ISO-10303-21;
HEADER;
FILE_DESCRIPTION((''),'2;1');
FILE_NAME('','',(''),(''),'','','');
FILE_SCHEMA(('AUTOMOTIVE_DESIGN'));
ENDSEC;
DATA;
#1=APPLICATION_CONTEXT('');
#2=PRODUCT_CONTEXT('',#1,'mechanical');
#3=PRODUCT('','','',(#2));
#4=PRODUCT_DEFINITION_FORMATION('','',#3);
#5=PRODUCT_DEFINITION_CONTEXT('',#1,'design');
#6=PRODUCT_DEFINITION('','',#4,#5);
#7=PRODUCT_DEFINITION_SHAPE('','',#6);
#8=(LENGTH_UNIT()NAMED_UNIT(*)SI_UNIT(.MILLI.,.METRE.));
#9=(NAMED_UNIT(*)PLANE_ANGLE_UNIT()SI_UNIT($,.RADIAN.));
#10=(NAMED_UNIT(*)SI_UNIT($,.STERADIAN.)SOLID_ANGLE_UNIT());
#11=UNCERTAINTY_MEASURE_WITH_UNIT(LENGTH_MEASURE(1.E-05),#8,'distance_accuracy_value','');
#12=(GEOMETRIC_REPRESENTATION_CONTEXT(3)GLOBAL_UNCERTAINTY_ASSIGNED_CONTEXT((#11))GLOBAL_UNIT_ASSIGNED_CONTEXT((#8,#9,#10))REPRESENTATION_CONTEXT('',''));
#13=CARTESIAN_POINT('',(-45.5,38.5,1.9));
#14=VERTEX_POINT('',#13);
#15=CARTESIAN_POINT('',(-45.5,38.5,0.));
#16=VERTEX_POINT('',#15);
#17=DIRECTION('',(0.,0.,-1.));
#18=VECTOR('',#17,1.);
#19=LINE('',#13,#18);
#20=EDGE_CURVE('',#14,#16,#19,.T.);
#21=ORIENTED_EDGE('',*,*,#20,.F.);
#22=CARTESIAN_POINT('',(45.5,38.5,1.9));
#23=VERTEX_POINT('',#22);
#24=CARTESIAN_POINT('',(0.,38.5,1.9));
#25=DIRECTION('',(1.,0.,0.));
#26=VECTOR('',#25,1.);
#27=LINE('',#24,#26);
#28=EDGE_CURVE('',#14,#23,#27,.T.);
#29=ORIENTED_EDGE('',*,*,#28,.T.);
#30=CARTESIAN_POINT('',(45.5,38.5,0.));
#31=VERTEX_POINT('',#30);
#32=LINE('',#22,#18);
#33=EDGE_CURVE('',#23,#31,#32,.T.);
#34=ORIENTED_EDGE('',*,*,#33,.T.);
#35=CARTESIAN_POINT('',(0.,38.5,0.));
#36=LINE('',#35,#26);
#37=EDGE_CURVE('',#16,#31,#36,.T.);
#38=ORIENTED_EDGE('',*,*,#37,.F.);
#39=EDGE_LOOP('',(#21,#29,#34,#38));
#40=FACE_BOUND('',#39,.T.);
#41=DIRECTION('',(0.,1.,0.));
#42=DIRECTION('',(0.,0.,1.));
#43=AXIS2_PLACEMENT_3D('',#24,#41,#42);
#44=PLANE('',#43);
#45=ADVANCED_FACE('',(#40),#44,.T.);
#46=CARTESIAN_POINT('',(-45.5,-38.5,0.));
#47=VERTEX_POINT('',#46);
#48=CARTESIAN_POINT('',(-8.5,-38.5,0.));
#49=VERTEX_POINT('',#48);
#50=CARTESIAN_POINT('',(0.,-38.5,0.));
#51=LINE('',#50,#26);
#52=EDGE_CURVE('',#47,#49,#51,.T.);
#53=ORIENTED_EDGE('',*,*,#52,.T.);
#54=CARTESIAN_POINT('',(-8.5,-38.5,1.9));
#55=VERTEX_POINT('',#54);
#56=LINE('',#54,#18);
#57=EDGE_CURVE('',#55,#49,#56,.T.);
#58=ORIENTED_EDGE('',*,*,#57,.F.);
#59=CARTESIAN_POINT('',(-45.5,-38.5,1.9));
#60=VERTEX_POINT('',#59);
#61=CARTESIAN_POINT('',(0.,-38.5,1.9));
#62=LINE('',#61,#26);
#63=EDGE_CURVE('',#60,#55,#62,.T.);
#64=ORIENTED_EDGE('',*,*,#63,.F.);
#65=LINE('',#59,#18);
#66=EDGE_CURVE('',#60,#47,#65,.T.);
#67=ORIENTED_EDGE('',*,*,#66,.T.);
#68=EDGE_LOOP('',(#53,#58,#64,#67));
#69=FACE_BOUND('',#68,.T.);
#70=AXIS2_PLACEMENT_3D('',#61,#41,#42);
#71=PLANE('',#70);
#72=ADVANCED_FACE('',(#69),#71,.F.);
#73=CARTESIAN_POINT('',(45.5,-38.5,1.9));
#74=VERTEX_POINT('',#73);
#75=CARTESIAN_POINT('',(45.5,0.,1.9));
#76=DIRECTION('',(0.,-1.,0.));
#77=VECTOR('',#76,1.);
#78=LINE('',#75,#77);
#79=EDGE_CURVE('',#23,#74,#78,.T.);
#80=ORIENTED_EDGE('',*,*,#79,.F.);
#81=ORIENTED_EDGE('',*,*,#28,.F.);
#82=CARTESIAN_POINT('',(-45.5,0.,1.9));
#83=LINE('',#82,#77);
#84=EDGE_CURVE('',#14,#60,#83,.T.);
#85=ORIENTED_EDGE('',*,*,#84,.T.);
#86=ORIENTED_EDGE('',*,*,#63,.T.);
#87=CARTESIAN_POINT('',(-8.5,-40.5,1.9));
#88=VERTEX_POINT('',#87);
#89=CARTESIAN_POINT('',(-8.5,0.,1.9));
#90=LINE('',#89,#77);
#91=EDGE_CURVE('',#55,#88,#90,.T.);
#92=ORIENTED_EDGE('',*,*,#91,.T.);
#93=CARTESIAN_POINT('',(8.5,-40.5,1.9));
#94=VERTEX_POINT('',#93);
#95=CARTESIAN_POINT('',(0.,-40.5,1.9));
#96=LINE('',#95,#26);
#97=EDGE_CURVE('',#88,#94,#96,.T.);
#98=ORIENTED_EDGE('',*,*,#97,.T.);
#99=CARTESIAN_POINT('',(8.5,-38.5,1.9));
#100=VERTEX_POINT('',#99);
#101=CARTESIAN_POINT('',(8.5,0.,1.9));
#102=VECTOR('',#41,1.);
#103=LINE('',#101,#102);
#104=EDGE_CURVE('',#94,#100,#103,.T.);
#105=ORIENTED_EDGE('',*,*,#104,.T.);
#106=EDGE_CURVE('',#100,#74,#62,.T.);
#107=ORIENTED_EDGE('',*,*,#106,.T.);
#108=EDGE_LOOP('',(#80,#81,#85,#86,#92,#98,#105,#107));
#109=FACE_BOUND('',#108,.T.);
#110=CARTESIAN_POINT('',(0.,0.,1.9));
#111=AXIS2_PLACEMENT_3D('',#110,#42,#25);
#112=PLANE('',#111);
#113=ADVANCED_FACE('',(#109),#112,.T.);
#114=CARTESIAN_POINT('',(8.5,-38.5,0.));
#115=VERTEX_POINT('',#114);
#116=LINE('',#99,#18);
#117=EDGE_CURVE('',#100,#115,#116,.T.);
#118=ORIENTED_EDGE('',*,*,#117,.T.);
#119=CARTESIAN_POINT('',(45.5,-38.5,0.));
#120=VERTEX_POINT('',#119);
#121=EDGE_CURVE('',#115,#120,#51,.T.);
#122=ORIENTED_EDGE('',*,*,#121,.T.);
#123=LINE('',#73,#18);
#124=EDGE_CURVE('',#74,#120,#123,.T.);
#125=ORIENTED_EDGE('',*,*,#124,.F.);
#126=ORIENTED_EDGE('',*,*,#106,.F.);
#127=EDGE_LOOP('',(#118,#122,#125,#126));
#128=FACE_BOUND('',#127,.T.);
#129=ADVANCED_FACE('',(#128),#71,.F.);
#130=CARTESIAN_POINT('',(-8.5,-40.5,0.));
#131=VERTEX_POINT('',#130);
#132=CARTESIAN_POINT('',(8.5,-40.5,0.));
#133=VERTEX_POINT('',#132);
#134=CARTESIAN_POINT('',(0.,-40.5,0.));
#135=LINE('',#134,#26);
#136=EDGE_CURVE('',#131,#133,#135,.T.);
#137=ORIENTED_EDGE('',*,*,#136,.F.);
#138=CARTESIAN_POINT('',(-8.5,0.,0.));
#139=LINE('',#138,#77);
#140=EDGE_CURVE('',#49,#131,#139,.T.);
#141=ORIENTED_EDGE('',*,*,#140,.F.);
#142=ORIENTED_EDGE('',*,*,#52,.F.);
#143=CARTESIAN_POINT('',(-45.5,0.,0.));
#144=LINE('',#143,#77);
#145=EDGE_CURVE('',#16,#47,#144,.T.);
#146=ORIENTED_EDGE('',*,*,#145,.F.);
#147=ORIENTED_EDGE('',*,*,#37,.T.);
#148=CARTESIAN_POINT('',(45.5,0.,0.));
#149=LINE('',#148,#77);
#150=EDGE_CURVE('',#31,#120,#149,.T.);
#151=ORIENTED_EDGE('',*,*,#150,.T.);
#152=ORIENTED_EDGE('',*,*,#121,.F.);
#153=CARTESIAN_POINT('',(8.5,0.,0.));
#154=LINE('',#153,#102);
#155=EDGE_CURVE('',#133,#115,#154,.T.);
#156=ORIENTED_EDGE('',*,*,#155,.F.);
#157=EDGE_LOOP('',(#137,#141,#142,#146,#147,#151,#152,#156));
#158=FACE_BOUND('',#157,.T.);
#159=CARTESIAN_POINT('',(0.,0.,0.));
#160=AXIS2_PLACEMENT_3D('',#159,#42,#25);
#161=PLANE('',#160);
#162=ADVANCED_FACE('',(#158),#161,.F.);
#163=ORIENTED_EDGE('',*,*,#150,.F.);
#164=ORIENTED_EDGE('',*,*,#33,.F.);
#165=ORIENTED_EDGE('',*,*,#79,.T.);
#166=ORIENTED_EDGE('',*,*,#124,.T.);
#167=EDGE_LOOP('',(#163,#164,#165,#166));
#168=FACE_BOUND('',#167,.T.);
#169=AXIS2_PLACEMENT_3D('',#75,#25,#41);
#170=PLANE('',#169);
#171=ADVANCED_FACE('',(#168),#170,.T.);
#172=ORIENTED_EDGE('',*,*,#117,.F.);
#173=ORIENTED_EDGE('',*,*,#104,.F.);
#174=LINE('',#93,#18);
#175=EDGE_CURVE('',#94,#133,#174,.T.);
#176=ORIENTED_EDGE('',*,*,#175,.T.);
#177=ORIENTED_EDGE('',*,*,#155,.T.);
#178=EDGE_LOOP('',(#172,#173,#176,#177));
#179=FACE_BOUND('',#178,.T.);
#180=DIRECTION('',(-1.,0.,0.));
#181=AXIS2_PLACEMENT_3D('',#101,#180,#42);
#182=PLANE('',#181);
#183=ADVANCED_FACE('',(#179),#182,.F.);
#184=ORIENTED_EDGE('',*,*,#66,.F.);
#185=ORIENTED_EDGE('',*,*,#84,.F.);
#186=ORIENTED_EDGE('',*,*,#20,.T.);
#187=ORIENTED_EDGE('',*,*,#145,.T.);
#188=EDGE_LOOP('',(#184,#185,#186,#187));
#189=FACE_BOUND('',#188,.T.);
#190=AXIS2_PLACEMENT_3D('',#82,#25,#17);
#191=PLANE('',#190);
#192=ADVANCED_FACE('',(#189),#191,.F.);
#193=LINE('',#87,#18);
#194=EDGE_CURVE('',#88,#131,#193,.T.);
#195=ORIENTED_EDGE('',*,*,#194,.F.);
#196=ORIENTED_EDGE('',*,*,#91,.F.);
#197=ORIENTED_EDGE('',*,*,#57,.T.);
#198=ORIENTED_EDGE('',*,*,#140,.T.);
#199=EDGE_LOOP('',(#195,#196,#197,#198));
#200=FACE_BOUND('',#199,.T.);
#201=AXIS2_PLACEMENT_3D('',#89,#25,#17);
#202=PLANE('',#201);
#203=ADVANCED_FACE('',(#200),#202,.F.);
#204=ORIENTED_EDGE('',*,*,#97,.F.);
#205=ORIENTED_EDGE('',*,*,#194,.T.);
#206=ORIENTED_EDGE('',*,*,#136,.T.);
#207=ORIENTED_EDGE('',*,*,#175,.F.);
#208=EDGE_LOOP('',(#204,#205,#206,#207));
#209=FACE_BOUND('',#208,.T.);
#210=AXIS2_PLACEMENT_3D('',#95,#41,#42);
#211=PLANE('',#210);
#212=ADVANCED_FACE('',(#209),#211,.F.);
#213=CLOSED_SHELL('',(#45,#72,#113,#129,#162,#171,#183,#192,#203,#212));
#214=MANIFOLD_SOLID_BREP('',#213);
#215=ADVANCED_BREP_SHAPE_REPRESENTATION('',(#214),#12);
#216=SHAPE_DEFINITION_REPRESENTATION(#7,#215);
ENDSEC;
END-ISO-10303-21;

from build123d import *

# Parameters (mm, degrees)
SKETCH_1_W      = 91
SKETCH_1_H      = 77
SKETCH_1_W_2    = 17
SKETCH_1_H_2    = 2
EXTRUDE_1_DEPTH = 1.9


with BuildPart() as part:
    # 草图1 → 凸台-拉伸1 (new body)
    with BuildSketch(Plane.XY):
        Rectangle(SKETCH_1_W, SKETCH_1_H)
        with Locations((0, -39.5)):
            Rectangle(SKETCH_1_W_2, SKETCH_1_H_2)
    extrude(amount=EXTRUDE_1_DEPTH)


solid = part.part
